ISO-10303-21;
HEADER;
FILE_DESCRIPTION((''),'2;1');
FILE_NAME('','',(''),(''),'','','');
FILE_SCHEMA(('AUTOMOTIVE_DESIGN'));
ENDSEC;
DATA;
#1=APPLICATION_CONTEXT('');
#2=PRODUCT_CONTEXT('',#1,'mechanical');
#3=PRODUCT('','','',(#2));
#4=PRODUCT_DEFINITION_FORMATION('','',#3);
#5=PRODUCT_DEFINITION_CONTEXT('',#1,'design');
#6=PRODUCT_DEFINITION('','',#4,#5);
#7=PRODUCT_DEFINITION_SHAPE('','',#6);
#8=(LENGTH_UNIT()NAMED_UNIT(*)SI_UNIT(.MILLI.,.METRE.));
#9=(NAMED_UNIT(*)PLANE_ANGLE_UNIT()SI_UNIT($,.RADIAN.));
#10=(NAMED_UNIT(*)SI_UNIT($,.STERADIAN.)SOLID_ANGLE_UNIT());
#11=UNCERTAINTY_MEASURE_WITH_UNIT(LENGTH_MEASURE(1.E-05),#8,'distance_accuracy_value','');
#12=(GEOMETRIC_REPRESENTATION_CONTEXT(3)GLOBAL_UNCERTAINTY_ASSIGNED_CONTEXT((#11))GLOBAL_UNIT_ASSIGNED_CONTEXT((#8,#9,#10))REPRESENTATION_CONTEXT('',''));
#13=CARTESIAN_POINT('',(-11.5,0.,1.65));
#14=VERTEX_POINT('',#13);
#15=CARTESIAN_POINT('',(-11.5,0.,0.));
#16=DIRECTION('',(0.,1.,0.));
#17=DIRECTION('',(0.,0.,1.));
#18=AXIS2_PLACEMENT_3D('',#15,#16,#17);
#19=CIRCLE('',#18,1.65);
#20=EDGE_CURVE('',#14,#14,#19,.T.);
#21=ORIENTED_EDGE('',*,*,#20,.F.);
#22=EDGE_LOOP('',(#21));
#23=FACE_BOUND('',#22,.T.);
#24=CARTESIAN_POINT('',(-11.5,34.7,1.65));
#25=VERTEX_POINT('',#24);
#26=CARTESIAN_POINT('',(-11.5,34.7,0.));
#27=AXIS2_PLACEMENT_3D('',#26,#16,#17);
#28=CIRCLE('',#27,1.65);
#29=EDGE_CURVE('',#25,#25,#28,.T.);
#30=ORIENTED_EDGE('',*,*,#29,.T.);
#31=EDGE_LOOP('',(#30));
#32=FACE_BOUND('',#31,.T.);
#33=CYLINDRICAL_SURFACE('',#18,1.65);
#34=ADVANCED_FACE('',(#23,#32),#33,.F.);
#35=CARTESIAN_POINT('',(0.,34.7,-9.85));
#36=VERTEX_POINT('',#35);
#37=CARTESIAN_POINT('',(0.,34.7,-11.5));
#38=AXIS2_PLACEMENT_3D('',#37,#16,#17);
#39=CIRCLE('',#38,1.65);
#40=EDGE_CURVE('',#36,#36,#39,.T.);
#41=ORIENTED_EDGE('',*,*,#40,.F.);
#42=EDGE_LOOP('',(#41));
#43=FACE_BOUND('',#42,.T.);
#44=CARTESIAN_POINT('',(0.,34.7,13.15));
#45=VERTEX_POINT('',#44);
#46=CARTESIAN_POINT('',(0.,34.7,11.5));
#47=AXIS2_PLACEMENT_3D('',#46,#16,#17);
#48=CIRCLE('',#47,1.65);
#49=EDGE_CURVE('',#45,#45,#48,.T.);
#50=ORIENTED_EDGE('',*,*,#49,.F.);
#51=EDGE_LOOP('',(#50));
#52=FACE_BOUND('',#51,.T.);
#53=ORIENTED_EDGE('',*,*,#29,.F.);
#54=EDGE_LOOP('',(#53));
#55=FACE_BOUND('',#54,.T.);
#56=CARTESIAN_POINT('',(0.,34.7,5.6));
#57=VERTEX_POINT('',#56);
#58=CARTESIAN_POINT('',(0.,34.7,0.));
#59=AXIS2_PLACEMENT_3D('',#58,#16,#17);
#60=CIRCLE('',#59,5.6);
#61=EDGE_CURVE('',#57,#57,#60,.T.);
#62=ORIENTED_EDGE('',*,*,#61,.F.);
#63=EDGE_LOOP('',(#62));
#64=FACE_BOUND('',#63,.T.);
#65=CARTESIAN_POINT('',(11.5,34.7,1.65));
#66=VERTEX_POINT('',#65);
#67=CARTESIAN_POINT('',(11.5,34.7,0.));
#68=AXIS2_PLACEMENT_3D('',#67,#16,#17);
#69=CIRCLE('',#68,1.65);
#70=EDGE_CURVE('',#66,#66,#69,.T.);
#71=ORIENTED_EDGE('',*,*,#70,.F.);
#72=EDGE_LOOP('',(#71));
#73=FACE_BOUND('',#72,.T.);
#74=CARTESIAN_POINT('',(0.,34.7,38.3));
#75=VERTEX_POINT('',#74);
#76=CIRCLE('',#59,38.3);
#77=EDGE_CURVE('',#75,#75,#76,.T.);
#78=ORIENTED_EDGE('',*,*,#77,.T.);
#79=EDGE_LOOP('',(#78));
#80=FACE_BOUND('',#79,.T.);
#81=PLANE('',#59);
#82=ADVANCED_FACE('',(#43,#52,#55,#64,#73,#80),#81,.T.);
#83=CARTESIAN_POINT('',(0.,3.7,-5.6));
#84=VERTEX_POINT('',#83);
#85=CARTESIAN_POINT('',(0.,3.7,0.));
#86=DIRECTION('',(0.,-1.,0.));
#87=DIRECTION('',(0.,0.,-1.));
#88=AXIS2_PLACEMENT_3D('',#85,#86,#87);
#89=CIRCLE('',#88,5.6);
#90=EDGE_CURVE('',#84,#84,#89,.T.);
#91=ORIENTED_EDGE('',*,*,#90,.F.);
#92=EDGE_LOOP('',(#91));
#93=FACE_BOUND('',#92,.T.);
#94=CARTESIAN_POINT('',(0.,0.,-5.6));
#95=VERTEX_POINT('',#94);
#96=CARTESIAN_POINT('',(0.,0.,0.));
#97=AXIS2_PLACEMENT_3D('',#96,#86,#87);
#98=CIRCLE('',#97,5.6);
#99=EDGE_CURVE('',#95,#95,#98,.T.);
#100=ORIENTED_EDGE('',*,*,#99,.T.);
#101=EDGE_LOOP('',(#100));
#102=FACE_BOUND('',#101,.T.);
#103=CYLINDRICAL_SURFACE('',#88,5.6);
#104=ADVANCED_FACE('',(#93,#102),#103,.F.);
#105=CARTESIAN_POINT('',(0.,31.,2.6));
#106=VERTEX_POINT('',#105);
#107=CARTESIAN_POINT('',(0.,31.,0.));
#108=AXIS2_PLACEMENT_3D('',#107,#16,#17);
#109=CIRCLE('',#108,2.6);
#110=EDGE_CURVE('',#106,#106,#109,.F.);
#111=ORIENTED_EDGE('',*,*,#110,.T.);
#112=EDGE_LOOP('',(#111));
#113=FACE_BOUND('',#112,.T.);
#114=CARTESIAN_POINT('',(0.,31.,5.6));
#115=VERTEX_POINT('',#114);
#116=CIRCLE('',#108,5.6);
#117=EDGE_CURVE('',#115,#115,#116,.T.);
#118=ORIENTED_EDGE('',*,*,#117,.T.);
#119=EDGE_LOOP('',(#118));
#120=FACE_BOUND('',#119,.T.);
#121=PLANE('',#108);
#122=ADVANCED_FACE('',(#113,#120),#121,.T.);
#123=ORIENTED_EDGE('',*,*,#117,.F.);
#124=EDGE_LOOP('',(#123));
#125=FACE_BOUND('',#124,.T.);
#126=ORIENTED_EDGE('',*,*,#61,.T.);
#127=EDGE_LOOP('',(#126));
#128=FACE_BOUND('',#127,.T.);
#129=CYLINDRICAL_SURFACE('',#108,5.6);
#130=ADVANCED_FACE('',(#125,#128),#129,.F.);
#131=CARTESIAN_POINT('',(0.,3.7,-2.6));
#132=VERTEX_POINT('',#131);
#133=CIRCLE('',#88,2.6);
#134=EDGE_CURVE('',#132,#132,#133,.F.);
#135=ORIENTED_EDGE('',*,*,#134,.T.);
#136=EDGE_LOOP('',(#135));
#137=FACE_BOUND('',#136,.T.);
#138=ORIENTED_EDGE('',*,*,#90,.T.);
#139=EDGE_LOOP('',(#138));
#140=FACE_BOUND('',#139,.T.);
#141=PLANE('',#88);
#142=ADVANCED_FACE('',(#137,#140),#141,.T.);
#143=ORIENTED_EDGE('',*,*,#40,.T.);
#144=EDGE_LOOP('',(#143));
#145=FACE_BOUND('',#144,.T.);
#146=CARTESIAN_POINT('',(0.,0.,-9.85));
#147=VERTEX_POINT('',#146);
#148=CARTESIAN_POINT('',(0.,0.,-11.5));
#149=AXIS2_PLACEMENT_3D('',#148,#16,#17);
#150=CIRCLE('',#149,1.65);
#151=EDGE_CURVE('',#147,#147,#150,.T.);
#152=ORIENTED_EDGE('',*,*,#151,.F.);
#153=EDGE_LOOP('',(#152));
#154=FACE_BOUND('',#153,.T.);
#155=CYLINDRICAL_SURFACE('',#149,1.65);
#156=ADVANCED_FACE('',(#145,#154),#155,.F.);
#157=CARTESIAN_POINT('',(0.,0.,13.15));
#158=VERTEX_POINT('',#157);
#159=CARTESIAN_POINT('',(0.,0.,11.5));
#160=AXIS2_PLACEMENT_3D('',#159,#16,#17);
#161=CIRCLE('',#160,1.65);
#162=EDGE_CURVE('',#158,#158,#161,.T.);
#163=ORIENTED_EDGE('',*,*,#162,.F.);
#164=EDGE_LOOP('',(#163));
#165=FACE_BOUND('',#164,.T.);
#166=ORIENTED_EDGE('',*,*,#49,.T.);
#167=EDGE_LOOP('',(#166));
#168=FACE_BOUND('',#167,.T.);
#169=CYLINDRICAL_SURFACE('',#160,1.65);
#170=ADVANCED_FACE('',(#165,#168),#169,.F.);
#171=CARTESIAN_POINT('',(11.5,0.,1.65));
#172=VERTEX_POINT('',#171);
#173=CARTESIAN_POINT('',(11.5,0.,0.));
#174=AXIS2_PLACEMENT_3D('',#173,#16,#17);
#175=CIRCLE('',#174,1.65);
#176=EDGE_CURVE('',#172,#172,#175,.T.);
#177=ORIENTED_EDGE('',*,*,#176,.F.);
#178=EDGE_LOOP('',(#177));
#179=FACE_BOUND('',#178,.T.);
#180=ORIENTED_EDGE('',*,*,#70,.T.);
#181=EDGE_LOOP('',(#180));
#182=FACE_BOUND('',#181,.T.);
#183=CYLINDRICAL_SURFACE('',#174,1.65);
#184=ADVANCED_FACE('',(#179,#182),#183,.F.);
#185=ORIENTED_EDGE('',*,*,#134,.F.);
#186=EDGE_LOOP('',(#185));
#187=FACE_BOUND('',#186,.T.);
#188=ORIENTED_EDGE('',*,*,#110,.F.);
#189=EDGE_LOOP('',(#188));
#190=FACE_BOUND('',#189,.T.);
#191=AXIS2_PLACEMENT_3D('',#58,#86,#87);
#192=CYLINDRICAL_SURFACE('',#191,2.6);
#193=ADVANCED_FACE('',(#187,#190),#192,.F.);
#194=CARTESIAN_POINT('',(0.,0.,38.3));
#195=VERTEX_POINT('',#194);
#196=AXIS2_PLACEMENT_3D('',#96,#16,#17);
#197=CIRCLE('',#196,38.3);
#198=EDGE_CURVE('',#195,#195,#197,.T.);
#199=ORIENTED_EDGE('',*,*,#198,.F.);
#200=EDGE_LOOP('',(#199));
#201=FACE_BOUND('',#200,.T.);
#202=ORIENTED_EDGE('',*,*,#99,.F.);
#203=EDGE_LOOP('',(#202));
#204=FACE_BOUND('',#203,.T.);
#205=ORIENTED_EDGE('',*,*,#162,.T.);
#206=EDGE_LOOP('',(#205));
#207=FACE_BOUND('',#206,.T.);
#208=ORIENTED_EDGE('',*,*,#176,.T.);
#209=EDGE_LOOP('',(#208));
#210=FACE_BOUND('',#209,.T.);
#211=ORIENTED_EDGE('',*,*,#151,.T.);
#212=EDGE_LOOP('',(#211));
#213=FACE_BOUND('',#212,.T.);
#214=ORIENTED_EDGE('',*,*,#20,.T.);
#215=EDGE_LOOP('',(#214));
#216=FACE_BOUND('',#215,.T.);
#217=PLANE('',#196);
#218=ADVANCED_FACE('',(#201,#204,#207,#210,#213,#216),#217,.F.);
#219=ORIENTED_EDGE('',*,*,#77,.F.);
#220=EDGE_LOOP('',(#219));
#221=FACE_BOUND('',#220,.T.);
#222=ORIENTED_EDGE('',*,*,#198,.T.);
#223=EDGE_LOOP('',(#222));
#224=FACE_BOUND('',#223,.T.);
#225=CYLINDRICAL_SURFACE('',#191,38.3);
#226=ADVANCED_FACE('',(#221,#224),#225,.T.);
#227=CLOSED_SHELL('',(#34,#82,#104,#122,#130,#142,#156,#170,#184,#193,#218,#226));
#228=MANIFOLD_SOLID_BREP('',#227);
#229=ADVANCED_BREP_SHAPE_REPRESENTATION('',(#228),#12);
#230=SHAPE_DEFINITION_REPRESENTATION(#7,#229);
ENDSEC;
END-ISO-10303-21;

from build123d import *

# Parameters (mm, degrees)
SKETCH1_R           = 38.3
BOSS_EXTRUDE1_DEPTH = 34.7
SKETCH2_R           = 2.6
CUT_EXTRUDE2_DEPTH  = 34.7
SKETCH4_R           = 5.6
CUT_EXTRUDE3_DEPTH  = 3.7
CUT_EXTRUDE4_START  = -3.7
SKETCH5_R           = 5.6
CUT_EXTRUDE4_DEPTH  = 3.7
SKETCH6_R           = 1.65
CUT_EXTRUDE5_DEPTH  = 65.326277679


with BuildPart() as part:
    # Sketch1 → Boss-Extrude1 (new body)
    with BuildSketch(Plane(origin=(0, 0, 0), x_dir=(1, 0, 0), z_dir=(0, 1, 0))):
        with Locations(Location((0, 0, 0), (0, 0, 270))):
            Circle(SKETCH1_R)
    extrude(amount=BOSS_EXTRUDE1_DEPTH)

    # Sketch2 → Cut-Extrude2 (cut)
    with BuildSketch(Plane.XZ):
        with Locations(Location((0, 0, 0), (0, 0, 270))):
            Circle(SKETCH2_R)
    extrude(amount=-CUT_EXTRUDE2_DEPTH, mode=Mode.SUBTRACT)

    # Sketch4 → Cut-Extrude3 (cut)
    with BuildSketch(Plane.XZ):
        with Locations(Location((0, 0, 0), (0, 0, 270))):
            Circle(SKETCH4_R)
    extrude(amount=-CUT_EXTRUDE3_DEPTH, mode=Mode.SUBTRACT)

    # Sketch5 → Cut-Extrude4 (cut)
    with BuildSketch(Plane(origin=(0, 34.7, 0), x_dir=(1, 0, 0), z_dir=(0, 1, 0)).offset(CUT_EXTRUDE4_START)):
        with Locations(Location((0, 0, 0), (0, 0, 90))):
            Circle(SKETCH5_R)
    extrude(amount=CUT_EXTRUDE4_DEPTH, mode=Mode.SUBTRACT)

    # Sketch6 → Cut-Extrude5 (cut, through all)
    with BuildSketch(Plane(origin=(0, 34.7, 0), x_dir=(1, 0, 0), z_dir=(0, 1, 0))):
        with Locations(Location((0, 11.5, 0), (0, 0, 270))):
            Circle(SKETCH6_R)
        with Locations(Location((11.5, 0, 0), (0, 0, 270))):
            Circle(SKETCH6_R)
        with Locations(Location((0, -11.5, 0), (0, 0, 270))):
            Circle(SKETCH6_R)
        with Locations(Location((-11.5, 0, 0), (0, 0, 270))):
            Circle(SKETCH6_R)
    extrude(amount=-CUT_EXTRUDE5_DEPTH, mode=Mode.SUBTRACT)


solid = part.part
